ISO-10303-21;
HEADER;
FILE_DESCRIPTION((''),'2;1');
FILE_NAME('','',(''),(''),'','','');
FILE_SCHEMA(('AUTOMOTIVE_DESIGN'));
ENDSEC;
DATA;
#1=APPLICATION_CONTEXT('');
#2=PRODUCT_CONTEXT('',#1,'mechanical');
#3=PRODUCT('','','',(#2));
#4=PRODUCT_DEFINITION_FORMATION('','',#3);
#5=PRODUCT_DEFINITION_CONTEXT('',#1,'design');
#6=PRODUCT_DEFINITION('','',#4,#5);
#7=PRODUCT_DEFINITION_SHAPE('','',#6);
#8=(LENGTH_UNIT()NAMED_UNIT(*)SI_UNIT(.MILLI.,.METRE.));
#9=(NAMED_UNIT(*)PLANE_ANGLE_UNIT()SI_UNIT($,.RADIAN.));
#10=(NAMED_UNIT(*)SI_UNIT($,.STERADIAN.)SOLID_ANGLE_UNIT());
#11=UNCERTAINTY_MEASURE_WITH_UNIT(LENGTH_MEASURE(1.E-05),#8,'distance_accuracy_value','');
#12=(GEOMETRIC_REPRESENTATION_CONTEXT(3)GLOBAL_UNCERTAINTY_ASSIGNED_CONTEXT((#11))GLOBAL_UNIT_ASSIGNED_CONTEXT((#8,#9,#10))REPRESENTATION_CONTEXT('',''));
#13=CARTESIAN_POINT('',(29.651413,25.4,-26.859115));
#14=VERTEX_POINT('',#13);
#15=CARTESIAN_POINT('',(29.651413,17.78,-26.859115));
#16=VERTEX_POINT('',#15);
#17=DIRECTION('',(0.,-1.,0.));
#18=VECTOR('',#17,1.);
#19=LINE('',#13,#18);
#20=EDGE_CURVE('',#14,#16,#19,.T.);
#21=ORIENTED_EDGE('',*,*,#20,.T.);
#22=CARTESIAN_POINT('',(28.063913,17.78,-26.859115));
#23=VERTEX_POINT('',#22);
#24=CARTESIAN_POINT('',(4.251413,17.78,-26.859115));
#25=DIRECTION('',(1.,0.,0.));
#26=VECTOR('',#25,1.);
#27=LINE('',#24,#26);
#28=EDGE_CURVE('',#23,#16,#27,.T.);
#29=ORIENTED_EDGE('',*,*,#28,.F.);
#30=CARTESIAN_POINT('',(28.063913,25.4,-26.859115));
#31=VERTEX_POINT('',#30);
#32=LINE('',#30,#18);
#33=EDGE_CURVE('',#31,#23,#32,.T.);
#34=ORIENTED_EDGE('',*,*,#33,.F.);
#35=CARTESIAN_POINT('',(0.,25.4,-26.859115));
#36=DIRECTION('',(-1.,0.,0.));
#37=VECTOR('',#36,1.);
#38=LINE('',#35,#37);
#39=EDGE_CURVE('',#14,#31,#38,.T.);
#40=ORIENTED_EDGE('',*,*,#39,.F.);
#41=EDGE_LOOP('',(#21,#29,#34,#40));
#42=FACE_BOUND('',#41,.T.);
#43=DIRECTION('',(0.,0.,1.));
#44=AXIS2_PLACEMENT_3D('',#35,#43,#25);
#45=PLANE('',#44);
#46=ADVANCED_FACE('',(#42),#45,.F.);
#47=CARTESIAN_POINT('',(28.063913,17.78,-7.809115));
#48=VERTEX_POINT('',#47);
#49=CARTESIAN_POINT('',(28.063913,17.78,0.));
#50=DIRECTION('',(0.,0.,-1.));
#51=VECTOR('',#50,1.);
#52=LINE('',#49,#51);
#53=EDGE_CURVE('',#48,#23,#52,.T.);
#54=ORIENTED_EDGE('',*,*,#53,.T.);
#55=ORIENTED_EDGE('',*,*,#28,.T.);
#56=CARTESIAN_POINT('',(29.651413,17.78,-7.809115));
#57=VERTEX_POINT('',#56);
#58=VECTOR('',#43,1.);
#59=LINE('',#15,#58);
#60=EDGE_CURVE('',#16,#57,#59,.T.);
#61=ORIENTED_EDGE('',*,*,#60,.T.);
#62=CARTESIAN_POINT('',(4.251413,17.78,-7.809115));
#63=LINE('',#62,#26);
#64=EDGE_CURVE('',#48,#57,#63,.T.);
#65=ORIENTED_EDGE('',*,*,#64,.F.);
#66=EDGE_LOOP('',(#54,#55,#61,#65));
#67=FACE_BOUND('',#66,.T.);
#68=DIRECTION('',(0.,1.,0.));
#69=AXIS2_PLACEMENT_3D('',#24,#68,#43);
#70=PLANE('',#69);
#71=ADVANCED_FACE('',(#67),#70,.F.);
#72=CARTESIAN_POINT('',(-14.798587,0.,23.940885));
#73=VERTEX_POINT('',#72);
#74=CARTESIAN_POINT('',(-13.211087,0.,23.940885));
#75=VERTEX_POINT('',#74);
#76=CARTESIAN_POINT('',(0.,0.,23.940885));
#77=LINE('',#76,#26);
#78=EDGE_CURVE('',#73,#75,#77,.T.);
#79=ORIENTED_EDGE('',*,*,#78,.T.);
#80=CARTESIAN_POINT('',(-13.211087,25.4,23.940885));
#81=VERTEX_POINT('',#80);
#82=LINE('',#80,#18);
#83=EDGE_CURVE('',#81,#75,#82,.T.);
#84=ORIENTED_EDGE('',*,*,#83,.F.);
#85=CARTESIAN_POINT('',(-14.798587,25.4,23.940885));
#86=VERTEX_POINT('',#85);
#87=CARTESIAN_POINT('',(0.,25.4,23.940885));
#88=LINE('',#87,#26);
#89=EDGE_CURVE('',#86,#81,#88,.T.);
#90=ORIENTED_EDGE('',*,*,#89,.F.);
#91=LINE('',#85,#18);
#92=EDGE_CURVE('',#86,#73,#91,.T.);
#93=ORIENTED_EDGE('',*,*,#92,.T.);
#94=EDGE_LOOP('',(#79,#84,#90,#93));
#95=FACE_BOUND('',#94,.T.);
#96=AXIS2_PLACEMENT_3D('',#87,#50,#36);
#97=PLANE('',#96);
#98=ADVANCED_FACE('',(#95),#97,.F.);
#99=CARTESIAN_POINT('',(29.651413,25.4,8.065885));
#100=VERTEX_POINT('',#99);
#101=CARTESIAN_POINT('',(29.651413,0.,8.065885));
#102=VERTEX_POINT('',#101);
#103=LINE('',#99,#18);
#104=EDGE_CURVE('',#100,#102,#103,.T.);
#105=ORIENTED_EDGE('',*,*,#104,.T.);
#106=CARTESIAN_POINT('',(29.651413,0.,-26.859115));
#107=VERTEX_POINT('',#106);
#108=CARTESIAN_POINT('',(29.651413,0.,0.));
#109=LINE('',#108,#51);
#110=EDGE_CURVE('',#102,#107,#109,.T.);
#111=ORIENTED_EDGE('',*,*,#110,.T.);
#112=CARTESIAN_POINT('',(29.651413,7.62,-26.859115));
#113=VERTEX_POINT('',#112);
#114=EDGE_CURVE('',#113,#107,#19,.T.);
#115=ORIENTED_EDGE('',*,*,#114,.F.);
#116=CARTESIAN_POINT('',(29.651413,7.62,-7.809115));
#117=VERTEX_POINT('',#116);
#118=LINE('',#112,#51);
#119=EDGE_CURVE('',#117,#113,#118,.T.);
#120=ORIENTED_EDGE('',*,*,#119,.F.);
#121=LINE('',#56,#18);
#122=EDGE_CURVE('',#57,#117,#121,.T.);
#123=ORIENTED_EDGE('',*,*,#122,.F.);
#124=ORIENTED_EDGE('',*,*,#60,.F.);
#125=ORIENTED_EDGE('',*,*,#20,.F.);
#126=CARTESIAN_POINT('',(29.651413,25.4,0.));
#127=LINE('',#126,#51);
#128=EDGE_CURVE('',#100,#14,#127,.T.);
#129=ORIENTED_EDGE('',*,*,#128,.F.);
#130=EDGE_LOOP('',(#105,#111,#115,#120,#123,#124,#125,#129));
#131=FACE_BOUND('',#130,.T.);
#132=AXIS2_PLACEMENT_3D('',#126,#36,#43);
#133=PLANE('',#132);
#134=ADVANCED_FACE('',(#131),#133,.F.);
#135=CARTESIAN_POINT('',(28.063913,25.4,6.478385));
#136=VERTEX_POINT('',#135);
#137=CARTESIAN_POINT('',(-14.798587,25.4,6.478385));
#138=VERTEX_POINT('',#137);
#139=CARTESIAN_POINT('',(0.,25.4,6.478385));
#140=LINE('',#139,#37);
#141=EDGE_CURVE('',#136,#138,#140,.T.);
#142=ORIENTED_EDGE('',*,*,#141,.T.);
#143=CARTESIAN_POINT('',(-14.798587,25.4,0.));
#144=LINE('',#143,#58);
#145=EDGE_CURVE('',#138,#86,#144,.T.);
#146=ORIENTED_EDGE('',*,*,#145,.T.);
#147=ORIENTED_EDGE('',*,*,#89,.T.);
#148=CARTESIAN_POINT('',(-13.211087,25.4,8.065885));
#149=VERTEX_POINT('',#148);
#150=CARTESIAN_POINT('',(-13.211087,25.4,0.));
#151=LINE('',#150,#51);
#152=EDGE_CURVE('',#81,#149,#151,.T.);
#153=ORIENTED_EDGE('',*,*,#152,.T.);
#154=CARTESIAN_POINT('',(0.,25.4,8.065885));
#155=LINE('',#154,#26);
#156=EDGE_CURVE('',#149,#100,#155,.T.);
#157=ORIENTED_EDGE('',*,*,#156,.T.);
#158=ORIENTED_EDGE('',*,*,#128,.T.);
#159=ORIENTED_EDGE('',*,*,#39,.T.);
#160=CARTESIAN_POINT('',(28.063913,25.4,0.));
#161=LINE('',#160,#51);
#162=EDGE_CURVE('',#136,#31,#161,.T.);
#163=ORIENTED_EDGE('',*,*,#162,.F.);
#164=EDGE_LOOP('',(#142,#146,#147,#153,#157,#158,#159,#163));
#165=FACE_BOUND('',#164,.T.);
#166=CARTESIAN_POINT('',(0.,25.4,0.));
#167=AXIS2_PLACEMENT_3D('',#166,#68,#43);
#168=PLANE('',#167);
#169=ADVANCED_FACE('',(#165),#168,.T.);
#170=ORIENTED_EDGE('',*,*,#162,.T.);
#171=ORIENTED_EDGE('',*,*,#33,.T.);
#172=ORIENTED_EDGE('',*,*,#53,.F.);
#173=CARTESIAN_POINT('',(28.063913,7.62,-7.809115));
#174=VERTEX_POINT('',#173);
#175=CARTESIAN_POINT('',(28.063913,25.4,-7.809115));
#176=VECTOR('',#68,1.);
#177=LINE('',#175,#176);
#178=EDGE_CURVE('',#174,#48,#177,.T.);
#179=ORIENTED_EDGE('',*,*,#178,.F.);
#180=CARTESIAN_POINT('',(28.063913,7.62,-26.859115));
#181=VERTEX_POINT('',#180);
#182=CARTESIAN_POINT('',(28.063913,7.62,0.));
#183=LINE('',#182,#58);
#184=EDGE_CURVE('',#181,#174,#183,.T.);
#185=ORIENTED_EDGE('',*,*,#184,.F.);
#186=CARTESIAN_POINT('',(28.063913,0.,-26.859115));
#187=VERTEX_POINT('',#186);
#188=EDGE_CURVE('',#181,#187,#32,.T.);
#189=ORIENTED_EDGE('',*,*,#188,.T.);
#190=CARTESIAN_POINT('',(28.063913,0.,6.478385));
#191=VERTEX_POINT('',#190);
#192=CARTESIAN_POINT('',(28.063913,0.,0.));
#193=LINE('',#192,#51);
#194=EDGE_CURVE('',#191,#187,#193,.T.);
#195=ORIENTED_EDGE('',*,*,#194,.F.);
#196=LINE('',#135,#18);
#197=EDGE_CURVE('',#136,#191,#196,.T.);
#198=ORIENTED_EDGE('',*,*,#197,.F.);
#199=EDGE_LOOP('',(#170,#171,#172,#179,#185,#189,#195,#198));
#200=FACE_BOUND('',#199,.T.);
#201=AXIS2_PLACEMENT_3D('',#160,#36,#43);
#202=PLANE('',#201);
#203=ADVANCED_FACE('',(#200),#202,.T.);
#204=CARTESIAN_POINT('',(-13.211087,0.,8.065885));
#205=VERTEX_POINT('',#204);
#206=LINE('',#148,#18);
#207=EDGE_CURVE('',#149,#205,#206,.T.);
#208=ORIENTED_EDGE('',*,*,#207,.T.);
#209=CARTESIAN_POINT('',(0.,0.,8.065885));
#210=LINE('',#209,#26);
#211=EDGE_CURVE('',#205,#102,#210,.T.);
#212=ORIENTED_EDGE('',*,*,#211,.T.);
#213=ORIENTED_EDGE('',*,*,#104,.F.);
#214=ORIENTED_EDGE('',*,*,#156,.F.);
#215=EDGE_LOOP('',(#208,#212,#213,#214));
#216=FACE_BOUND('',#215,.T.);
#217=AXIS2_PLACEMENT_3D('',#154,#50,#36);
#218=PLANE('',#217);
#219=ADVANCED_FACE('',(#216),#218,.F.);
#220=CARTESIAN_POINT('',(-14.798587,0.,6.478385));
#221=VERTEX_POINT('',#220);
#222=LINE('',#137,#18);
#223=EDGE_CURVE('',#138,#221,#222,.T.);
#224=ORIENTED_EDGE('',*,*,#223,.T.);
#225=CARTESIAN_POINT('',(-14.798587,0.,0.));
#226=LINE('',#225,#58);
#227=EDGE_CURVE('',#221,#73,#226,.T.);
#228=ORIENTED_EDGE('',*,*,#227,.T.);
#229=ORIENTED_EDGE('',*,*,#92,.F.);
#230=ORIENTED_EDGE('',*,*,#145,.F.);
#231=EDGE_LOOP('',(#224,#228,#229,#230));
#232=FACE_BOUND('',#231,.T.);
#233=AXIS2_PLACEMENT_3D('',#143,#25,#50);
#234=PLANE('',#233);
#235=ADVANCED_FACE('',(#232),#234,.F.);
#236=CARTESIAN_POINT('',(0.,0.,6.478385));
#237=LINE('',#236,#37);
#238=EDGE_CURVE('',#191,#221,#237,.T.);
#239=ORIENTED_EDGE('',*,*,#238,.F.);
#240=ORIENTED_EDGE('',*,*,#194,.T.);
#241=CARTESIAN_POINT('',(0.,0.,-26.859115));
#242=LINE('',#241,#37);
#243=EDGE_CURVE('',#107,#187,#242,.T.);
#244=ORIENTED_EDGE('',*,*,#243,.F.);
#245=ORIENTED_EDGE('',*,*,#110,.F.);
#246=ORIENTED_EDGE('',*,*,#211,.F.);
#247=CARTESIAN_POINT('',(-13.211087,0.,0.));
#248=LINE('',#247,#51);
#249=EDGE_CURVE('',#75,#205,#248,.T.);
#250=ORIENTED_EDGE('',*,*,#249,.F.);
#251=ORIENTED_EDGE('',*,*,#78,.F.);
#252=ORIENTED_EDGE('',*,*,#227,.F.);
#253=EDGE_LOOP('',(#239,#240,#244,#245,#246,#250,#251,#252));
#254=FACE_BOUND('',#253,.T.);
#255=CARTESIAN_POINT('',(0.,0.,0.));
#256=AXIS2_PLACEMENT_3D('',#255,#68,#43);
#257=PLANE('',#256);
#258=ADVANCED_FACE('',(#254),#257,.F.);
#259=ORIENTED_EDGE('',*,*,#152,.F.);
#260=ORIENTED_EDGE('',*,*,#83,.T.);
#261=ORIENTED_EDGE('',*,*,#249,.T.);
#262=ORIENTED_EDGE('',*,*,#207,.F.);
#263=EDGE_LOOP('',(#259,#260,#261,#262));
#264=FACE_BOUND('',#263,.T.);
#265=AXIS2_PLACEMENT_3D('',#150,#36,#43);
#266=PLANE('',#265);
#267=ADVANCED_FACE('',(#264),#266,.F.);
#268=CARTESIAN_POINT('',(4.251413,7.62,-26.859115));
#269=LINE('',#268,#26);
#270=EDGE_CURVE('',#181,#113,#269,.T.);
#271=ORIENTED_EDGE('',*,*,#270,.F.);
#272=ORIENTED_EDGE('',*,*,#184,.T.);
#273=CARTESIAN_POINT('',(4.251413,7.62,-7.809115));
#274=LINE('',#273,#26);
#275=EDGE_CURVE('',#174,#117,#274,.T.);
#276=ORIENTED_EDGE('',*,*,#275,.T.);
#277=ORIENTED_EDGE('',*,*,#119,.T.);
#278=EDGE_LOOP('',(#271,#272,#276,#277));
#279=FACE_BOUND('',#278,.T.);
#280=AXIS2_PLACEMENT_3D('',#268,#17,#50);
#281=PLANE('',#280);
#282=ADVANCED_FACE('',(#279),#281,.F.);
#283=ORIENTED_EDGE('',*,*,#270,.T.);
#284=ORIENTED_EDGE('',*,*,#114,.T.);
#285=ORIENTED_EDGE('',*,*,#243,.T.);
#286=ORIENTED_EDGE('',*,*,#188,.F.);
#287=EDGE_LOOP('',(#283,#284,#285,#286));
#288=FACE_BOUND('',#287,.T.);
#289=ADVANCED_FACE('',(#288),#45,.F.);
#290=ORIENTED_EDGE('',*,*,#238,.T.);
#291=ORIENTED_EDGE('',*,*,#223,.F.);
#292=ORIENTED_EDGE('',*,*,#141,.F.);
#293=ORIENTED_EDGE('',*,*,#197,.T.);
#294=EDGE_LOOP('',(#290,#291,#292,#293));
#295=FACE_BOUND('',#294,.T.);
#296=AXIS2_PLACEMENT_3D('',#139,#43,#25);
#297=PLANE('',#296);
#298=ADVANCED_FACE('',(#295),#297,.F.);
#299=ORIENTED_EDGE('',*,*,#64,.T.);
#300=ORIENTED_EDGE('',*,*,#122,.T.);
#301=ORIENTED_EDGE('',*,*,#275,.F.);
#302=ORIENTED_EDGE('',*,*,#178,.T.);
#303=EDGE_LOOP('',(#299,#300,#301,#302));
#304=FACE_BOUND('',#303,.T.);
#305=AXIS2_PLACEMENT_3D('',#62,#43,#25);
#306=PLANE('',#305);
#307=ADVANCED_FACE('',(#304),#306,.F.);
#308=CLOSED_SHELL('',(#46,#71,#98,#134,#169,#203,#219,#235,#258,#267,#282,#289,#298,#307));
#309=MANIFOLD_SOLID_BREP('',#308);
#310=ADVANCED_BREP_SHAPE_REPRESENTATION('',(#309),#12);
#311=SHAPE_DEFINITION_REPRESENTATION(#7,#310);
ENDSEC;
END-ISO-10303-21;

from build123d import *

# Parameters (mm, degrees)
SKETCH1_W           = 41.275
SKETCH1_H           = 1.5875
BOSS_EXTRUDE1_DEPTH = 25.4
SKETCH2_W           = 19.05
SKETCH2_H           = 10.16
CUT_EXTRUDE1_DEPTH  = 25.4


with BuildPart() as part:
    # Sketch1 → Boss-Extrude1 (new body)
    with BuildSketch(Plane(origin=(0, 0, 0), x_dir=(1, 0, 0), z_dir=(0, 1, 0))):
        Polygon((-13.211086677, -8.065885175), (-13.211086677, -6.478385175), (-14.798586677, -6.478385175), (-14.798586677, -23.940885175), (-13.211086677, -23.940885175), align=None)
        with Locations((7.426413323, -7.272135175)):
            Rectangle(SKETCH1_W, SKETCH1_H)
        Polygon((29.651413323, 26.859114825), (28.063913323, 26.859114825), (28.063913323, -6.478385175), (28.063913323, -8.065885175), (29.651413323, -8.065885175), align=None)
    extrude(amount=BOSS_EXTRUDE1_DEPTH)

    # Sketch2 → Cut-Extrude1 (cut)
    with BuildSketch(Plane(origin=(29.651413323, 0, 0), x_dir=(0, 0, -1), z_dir=(1, 0, 0))):
        with Locations((17.334114825, 12.7)):
            Rectangle(SKETCH2_W, SKETCH2_H)
    extrude(amount=-CUT_EXTRUDE1_DEPTH, mode=Mode.SUBTRACT)


solid = part.part
